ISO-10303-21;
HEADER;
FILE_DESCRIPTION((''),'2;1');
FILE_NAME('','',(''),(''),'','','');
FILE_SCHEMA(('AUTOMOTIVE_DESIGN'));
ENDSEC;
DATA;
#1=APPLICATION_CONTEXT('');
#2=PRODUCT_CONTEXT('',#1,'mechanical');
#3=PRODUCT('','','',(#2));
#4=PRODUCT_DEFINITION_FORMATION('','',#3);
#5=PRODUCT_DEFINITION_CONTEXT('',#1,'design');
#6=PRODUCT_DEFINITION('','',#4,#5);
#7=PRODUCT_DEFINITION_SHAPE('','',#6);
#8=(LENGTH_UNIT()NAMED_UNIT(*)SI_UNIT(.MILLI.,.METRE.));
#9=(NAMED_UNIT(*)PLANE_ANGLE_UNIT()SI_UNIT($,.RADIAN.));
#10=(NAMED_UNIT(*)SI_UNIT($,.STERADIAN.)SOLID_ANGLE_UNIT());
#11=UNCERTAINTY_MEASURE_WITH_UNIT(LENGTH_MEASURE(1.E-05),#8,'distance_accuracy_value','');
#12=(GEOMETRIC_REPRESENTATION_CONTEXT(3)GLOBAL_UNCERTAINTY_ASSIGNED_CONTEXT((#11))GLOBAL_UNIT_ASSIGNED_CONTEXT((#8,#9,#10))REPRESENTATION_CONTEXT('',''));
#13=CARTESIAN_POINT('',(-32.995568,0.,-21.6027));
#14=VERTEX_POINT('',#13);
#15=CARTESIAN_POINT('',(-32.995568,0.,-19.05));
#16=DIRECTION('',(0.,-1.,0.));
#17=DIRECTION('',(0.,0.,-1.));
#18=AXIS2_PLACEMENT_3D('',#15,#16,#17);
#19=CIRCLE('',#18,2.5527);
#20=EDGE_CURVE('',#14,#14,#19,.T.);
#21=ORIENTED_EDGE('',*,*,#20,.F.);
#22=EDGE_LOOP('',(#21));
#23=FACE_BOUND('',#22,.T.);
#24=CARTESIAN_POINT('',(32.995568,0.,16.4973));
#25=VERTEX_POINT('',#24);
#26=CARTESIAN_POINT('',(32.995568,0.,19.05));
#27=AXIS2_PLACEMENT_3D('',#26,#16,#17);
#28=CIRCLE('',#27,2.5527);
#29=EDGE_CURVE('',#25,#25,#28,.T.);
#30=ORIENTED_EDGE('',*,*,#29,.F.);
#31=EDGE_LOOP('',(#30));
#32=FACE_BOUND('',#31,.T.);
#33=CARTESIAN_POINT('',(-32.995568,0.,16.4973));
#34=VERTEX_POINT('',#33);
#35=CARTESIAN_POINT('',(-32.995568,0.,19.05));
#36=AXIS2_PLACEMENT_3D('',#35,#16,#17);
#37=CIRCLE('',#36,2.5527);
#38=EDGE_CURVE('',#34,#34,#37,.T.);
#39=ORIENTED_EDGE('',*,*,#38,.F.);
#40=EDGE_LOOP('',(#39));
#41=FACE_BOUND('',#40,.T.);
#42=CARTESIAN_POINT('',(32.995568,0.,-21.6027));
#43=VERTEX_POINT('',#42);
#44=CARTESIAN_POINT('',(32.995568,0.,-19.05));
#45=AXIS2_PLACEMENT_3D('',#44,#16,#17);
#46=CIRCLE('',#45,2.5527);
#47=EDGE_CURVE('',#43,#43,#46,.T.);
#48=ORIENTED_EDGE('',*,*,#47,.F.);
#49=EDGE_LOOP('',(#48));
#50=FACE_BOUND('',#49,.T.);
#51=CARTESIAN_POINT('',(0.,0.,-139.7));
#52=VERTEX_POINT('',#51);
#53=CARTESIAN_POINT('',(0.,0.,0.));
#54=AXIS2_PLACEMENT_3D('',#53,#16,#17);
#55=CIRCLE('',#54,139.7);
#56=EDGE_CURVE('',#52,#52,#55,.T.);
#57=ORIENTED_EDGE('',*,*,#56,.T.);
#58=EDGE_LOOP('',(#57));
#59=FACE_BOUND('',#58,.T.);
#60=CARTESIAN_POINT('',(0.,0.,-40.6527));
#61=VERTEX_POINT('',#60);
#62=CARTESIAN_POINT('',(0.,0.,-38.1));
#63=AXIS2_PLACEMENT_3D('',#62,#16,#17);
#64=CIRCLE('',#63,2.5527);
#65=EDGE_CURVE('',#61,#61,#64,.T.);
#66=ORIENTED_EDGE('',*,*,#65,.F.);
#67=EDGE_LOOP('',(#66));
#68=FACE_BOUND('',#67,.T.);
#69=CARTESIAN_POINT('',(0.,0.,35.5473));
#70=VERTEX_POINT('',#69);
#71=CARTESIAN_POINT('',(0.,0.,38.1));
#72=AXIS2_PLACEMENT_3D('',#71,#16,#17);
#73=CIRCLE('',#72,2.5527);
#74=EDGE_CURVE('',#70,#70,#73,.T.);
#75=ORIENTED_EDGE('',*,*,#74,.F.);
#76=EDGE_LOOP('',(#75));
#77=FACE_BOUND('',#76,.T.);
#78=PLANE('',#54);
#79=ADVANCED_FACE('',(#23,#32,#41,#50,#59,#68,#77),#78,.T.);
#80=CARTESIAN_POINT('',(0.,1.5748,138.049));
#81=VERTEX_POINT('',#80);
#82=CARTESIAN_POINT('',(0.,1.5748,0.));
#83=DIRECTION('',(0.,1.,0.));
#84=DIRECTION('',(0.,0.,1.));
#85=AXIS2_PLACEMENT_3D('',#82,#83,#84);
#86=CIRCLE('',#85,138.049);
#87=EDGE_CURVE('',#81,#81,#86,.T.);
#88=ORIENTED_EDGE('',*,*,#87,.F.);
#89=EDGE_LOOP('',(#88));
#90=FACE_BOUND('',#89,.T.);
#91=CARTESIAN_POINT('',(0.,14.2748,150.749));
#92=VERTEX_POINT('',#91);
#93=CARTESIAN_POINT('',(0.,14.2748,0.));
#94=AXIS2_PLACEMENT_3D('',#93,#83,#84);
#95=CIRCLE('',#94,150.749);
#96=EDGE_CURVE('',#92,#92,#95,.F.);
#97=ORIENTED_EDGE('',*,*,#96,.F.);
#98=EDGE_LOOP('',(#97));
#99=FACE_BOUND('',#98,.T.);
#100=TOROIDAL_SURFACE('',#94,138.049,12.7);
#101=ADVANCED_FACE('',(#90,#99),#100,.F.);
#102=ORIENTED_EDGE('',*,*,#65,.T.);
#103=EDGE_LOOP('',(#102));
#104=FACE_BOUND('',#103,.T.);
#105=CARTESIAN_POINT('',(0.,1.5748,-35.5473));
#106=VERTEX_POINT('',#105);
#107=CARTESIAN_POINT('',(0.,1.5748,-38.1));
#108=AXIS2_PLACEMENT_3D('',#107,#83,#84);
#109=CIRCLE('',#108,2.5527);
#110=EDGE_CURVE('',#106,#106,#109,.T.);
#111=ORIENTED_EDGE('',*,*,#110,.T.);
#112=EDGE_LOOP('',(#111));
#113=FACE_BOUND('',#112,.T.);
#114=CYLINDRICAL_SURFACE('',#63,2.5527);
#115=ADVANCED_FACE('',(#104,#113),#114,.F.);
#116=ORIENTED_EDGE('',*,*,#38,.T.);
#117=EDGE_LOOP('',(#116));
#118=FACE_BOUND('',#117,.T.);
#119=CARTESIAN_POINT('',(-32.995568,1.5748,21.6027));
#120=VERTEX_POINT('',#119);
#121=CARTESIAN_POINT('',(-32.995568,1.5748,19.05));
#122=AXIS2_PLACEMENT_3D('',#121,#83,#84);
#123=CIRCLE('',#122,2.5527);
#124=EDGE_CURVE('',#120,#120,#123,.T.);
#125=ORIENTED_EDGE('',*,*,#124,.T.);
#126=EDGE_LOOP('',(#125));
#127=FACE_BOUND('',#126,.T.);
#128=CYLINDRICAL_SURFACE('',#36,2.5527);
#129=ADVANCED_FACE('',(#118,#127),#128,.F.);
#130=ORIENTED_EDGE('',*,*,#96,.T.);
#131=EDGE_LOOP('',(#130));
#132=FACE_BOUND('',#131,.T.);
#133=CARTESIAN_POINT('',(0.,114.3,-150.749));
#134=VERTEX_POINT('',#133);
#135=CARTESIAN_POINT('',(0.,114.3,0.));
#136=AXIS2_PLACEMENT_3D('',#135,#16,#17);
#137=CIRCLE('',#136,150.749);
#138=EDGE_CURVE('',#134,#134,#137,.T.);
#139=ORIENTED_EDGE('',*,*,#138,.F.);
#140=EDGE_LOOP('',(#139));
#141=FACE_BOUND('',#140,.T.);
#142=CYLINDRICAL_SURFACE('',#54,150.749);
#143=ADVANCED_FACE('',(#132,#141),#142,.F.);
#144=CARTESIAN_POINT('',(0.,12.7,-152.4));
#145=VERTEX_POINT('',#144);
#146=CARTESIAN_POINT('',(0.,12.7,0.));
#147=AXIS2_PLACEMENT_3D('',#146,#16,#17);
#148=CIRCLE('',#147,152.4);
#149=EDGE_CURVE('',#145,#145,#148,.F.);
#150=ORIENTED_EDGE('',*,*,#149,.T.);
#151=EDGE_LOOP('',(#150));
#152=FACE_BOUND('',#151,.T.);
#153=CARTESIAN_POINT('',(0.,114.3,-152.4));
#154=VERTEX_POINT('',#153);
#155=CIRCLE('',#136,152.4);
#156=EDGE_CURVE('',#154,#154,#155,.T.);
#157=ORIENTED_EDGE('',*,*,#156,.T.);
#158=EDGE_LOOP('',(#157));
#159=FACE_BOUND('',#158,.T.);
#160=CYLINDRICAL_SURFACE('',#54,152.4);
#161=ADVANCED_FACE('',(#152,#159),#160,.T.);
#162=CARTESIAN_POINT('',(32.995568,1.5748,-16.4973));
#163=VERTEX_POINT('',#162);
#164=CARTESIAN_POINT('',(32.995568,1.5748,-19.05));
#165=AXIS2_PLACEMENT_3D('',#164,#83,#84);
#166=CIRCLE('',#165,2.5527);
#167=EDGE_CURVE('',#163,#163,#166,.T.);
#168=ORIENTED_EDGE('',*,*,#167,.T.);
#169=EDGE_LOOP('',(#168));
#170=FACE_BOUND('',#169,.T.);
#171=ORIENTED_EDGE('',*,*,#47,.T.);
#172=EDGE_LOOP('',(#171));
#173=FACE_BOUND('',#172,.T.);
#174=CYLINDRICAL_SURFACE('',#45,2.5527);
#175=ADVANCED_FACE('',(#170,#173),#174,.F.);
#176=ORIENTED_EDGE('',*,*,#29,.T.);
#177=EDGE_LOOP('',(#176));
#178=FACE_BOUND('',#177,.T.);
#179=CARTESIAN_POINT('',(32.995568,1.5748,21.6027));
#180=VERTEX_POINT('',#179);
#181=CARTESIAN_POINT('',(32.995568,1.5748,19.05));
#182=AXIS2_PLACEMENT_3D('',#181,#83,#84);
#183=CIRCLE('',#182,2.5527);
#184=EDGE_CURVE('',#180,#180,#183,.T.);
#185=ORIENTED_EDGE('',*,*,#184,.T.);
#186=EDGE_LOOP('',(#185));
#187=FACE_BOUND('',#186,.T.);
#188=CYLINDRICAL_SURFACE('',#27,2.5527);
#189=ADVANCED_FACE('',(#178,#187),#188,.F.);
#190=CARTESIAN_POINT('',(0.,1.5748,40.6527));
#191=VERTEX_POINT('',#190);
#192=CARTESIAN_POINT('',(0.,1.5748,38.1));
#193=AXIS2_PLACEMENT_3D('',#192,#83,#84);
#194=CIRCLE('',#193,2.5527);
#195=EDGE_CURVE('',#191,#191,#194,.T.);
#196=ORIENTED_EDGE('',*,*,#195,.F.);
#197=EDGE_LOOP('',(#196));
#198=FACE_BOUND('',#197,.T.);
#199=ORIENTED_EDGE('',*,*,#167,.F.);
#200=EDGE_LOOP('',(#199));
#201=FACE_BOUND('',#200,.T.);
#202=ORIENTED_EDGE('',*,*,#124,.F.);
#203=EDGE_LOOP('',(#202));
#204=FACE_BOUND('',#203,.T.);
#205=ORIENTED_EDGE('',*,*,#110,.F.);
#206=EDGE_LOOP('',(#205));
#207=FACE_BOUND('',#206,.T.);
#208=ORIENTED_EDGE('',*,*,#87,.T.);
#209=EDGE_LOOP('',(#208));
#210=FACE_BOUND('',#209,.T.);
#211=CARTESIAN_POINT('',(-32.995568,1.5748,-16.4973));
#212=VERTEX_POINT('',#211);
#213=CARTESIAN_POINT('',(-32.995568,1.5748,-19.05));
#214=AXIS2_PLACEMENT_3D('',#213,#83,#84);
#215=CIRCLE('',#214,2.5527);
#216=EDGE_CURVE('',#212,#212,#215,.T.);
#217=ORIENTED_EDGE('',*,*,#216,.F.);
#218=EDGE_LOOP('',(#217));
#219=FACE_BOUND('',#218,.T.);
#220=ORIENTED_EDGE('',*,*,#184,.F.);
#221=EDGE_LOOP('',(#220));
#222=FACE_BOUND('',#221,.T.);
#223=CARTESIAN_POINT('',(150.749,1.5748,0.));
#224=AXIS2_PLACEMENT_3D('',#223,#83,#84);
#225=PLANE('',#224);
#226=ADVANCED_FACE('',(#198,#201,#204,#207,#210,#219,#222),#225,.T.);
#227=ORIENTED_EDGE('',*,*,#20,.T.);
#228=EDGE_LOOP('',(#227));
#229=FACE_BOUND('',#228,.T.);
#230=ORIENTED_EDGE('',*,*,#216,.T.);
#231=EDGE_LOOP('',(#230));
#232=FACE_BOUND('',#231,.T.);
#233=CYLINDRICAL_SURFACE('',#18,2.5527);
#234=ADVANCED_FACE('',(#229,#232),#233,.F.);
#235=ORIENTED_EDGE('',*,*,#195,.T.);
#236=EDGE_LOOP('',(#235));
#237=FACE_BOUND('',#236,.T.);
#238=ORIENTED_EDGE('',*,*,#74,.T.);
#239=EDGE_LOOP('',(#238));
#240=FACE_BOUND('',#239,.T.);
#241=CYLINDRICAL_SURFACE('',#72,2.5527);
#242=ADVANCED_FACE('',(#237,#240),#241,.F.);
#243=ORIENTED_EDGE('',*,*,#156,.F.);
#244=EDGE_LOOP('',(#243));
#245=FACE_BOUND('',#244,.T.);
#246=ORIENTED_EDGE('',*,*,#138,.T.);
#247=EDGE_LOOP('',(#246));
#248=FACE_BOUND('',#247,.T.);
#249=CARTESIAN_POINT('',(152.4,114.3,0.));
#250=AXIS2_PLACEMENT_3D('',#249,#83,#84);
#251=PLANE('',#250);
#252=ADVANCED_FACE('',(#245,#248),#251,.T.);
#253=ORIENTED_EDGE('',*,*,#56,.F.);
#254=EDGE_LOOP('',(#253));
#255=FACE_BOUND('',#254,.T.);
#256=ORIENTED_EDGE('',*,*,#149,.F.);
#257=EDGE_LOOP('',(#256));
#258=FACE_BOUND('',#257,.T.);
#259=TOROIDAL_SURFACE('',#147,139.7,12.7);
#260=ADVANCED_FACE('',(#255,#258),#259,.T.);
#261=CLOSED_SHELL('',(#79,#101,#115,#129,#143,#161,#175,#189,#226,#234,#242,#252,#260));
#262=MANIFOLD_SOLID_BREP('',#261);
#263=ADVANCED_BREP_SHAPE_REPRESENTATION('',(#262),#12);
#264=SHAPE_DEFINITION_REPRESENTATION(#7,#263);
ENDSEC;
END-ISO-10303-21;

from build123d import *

# Parameters (mm, degrees)
FILLET1_R              = 12.7
F_10_CLEARANCE_HOLE1_D = 5.1054


with BuildPart() as part:
    # Sketch1 → Revolve1 (revolve)
    with BuildSketch(Plane.XY, mode=Mode.PRIVATE) as revolve1_sk:
        Polygon((0, 0), (152.4, 0), (152.4, 114.3), (150.749, 114.3), (150.749, 1.5748), (0, 1.5748), align=None)
    revolve(revolve1_sk.sketch.rotate(Axis((0, 0, 0), (0, 1, 0)), 90), axis=Axis((0, 0, 0), (0, 1, 0)))

    # Fillet1
    fillet1_edges = [part.edges().sort_by_distance(p)[0] for p in [
        (0, 1.5748, 150.749),
        (0, 0, 152.4),
    ]]
    fillet(fillet1_edges, radius=FILLET1_R)

    # #10 Clearance Hole1 (through all)
    with Locations(Plane.XZ):
        with Locations((0, 38.1), (32.995567884, 19.05), (32.995567884, -19.05), (0, -38.1), (-32.995567884, -19.05), (-32.995567884, 19.05)):
            Hole(F_10_CLEARANCE_HOLE1_D / 2)


solid = part.part
